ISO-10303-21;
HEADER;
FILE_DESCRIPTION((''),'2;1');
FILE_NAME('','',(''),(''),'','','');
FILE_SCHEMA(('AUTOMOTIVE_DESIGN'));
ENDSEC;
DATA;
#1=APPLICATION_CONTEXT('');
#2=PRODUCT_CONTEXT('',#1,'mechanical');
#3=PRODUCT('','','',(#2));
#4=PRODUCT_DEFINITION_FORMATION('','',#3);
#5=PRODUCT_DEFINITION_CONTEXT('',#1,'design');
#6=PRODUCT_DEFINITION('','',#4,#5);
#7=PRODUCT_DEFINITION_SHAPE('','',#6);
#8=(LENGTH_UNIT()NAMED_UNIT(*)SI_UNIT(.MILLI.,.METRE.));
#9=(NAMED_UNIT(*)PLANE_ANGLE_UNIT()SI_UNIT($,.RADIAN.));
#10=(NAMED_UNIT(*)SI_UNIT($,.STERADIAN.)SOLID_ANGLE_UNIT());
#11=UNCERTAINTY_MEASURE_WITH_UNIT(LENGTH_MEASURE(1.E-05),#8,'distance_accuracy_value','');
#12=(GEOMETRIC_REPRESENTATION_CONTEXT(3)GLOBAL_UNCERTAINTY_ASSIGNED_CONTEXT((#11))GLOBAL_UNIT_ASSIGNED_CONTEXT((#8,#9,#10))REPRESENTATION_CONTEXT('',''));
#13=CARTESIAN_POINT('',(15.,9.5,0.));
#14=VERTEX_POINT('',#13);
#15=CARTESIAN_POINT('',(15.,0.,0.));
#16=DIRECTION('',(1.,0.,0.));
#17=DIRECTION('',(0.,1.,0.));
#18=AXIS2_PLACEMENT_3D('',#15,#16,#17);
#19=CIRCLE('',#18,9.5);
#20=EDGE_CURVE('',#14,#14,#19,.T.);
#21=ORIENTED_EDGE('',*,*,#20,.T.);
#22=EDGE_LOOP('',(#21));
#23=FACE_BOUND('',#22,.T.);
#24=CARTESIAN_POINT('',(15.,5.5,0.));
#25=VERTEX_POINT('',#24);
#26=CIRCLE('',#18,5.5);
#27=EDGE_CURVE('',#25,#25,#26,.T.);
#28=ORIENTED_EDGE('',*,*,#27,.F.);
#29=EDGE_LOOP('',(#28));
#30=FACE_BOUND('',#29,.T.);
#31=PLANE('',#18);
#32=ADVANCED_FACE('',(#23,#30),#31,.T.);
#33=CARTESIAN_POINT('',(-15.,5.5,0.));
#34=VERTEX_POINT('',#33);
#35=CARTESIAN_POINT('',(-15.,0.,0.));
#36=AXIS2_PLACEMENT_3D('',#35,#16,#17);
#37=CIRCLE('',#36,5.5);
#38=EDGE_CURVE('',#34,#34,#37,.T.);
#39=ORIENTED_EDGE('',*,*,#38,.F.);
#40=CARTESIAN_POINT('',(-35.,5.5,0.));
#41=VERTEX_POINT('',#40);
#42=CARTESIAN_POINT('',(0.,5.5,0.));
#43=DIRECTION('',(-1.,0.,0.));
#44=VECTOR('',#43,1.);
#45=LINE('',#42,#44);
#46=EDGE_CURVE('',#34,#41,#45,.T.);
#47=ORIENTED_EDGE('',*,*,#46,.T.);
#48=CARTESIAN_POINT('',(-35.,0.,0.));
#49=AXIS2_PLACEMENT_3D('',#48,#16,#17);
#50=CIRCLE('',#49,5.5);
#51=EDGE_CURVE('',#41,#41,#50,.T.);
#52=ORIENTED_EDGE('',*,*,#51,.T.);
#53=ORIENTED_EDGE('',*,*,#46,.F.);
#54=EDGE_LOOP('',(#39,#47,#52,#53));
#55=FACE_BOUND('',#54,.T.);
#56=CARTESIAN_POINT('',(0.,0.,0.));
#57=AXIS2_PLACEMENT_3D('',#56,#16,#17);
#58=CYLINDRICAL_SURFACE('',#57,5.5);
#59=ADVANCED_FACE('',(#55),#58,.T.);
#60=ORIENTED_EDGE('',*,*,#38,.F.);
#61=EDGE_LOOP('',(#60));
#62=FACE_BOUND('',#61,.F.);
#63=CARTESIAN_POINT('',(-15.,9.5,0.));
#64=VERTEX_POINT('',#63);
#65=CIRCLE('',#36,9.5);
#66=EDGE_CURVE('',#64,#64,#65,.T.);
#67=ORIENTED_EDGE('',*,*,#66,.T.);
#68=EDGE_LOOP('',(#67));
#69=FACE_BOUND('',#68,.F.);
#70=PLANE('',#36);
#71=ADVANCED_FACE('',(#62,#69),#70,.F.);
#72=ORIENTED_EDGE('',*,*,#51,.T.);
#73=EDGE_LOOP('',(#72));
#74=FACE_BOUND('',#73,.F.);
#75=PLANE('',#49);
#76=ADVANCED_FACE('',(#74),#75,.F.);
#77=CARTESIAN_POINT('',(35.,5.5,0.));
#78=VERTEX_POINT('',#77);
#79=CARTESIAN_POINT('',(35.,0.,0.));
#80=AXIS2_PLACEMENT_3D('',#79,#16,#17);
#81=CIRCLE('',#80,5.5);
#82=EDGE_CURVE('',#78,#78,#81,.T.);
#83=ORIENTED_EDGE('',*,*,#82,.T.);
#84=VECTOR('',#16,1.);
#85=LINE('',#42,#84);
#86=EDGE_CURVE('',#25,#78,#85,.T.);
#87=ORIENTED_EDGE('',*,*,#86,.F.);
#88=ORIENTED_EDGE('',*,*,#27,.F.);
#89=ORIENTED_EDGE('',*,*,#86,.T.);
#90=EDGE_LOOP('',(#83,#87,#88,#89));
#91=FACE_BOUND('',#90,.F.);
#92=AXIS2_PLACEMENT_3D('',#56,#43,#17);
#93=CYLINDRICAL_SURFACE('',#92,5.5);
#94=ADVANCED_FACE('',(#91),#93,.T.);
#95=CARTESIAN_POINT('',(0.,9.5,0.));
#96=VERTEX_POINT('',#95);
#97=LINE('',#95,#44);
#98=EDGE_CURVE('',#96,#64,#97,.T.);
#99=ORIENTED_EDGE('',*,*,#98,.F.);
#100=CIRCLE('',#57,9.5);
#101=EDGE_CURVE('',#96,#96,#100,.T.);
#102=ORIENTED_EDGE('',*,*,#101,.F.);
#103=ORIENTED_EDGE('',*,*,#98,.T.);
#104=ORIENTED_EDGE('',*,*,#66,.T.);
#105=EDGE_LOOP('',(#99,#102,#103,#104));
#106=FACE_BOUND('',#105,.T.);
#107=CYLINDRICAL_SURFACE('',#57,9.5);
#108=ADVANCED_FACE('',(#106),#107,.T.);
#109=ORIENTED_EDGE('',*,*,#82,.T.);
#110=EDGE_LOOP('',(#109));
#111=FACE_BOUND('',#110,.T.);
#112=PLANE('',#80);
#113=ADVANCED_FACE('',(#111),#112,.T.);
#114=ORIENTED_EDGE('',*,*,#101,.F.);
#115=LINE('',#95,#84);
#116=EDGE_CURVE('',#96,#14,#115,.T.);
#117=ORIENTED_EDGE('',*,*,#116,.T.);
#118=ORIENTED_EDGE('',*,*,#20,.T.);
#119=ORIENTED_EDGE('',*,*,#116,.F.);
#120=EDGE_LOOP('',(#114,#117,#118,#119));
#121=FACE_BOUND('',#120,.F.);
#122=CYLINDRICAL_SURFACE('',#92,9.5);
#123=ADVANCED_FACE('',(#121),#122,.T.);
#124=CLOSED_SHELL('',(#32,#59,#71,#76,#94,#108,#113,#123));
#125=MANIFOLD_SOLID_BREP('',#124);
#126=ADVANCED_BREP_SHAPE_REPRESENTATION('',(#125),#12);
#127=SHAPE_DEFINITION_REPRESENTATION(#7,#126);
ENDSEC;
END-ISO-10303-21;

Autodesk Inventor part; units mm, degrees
ref_plane "YZ Plane" through (0, 0, 0) normal (1, 0, 0) x (0, 1, 0)
ref_plane "XZ Plane" through (0, 0, 0) normal (0, 1, 0) x (-1, 0, 0)
ref_plane "XY Plane" through (0, 0, 0) normal (0, 0, 1) x (1, 0, 0)
sketch "Boceto1" plane through (0, 0, 0) normal (1, 0, 0) x (0, 1, 0)
  circle A0 centre (0, 0) radius 9.5
  circle A1 centre (0, 0) radius 5.5
  dimension "d0" = 19
  dimension "d1" = 11
extrude "Extrusión1" add sketch "Boceto1" along normal mid plane 70 contours A1
extrude "Extrusión2" add sketch "Boceto1" along normal mid plane 30
properties part number "Bracket polea"
